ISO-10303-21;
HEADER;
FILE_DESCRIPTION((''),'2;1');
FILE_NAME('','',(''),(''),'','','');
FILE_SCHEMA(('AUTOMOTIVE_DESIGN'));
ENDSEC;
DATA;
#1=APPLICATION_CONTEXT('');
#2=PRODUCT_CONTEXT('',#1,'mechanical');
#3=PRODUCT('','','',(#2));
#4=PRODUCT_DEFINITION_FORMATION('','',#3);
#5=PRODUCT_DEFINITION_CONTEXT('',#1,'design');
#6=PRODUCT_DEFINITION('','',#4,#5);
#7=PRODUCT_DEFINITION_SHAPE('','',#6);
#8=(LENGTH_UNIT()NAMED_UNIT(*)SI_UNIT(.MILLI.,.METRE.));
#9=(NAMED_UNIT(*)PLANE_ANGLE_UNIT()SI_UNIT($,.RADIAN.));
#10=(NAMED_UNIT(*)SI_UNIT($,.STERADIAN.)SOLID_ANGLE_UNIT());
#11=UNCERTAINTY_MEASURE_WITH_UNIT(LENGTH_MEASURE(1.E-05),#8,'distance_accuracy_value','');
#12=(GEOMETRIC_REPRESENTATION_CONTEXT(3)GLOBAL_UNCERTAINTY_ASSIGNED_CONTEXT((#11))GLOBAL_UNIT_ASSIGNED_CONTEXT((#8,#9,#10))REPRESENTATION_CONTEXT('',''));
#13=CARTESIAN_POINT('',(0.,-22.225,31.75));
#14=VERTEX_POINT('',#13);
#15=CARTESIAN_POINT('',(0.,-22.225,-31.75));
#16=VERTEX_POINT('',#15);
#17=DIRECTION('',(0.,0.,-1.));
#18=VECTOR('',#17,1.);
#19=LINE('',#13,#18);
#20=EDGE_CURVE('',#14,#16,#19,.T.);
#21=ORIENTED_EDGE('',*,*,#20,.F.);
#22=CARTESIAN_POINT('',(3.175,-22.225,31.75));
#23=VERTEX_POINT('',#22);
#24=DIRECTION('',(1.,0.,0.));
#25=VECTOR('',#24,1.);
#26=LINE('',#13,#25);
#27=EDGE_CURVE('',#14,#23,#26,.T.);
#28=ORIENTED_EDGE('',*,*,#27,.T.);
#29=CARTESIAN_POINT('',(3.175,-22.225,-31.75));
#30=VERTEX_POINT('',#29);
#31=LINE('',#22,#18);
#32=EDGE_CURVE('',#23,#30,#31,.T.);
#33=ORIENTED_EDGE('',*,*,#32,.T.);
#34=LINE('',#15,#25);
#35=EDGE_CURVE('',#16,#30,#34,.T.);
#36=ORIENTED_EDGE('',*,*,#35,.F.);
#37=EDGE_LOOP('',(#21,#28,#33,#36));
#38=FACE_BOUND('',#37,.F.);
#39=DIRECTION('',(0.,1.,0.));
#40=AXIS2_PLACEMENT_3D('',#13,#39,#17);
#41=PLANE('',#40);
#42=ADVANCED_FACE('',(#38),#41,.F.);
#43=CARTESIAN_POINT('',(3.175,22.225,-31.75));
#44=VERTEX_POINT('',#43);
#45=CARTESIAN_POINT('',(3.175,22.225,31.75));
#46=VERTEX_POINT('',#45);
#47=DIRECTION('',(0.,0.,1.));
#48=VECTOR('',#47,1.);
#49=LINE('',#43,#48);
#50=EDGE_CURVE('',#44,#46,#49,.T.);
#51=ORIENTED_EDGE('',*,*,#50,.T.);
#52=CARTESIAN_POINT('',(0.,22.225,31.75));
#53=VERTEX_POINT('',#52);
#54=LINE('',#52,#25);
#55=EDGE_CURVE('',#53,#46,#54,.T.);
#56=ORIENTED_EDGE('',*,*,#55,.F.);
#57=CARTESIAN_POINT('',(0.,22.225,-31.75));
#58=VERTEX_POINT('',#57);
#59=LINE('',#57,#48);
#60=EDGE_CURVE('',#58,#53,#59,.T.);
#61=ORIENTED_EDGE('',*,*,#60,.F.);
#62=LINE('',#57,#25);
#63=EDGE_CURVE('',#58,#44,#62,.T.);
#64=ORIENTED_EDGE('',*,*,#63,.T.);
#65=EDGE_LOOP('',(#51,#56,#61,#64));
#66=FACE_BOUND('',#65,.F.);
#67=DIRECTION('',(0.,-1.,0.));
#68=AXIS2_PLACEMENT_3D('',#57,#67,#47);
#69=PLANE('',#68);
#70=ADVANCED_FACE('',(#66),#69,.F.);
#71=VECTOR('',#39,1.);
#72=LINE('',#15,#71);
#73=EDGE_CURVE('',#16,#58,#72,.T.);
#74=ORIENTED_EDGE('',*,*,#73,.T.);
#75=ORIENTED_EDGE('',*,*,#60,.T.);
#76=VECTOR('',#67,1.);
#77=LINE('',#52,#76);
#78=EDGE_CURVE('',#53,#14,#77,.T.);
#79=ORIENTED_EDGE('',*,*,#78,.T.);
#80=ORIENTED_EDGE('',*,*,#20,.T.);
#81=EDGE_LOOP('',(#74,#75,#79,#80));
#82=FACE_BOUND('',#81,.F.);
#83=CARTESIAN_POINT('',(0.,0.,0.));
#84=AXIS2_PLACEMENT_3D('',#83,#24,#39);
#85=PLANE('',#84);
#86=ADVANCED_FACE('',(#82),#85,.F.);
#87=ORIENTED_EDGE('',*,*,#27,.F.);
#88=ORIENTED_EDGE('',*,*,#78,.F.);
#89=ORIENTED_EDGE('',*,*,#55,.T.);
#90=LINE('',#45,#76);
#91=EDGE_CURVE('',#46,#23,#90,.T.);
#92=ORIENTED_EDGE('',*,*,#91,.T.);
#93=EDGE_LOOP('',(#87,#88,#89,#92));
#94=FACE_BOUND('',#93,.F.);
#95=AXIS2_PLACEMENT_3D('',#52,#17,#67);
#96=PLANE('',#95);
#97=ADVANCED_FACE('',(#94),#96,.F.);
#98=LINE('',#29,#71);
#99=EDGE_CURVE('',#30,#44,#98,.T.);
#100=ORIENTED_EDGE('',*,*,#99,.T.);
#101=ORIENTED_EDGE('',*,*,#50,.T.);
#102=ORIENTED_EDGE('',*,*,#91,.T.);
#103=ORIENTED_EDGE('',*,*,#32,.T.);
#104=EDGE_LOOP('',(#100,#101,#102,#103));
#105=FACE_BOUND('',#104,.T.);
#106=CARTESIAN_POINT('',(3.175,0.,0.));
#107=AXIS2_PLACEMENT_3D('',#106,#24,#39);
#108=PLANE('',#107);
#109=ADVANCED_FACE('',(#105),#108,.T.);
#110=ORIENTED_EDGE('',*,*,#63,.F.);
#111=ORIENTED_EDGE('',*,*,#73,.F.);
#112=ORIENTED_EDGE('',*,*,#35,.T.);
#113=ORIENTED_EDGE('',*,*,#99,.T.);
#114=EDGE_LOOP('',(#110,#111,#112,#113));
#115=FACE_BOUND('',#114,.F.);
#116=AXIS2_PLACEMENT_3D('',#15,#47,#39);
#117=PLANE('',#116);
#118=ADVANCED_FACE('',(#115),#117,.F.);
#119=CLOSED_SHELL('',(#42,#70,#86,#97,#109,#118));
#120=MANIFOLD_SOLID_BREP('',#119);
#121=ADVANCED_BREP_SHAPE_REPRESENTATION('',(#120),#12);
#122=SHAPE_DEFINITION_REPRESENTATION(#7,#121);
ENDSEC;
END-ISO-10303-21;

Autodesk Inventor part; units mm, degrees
ref_plane "YZ Plane" through (0, 0, 0) normal (1, 0, 0) x (0, 1, 0)
ref_plane "XZ Plane" through (0, 0, 0) normal (0, 1, 0) x (-1, 0, 0)
ref_plane "XY Plane" through (0, 0, 0) normal (0, 0, 1) x (1, 0, 0)
sketch "Sketch1" plane through (0, 0, 0) normal (1, 0, 0) x (0, 1, 0)
  line L0 (-22.225, -31.75) -> (22.225, -31.75)
  line L1 (22.225, -31.75) -> (22.225, 31.75)
  line L2 (22.225, 31.75) -> (-22.225, 31.75)
  line L3 (-22.225, 31.75) -> (-22.225, -31.75)
  line L4 (-22.225, -31.75) -> (22.225, 31.75) construction
  line L5 (22.225, -31.75) -> (-22.225, 31.75) construction
  point P0 (0, 0)
  dimension "d0" = 44.45
  dimension "d1" = 63.5
extrude "Extrusion1" add sketch "Sketch1" along normal blind 3.175
properties part number "Cover" material "Polycarbonate, Clear"
